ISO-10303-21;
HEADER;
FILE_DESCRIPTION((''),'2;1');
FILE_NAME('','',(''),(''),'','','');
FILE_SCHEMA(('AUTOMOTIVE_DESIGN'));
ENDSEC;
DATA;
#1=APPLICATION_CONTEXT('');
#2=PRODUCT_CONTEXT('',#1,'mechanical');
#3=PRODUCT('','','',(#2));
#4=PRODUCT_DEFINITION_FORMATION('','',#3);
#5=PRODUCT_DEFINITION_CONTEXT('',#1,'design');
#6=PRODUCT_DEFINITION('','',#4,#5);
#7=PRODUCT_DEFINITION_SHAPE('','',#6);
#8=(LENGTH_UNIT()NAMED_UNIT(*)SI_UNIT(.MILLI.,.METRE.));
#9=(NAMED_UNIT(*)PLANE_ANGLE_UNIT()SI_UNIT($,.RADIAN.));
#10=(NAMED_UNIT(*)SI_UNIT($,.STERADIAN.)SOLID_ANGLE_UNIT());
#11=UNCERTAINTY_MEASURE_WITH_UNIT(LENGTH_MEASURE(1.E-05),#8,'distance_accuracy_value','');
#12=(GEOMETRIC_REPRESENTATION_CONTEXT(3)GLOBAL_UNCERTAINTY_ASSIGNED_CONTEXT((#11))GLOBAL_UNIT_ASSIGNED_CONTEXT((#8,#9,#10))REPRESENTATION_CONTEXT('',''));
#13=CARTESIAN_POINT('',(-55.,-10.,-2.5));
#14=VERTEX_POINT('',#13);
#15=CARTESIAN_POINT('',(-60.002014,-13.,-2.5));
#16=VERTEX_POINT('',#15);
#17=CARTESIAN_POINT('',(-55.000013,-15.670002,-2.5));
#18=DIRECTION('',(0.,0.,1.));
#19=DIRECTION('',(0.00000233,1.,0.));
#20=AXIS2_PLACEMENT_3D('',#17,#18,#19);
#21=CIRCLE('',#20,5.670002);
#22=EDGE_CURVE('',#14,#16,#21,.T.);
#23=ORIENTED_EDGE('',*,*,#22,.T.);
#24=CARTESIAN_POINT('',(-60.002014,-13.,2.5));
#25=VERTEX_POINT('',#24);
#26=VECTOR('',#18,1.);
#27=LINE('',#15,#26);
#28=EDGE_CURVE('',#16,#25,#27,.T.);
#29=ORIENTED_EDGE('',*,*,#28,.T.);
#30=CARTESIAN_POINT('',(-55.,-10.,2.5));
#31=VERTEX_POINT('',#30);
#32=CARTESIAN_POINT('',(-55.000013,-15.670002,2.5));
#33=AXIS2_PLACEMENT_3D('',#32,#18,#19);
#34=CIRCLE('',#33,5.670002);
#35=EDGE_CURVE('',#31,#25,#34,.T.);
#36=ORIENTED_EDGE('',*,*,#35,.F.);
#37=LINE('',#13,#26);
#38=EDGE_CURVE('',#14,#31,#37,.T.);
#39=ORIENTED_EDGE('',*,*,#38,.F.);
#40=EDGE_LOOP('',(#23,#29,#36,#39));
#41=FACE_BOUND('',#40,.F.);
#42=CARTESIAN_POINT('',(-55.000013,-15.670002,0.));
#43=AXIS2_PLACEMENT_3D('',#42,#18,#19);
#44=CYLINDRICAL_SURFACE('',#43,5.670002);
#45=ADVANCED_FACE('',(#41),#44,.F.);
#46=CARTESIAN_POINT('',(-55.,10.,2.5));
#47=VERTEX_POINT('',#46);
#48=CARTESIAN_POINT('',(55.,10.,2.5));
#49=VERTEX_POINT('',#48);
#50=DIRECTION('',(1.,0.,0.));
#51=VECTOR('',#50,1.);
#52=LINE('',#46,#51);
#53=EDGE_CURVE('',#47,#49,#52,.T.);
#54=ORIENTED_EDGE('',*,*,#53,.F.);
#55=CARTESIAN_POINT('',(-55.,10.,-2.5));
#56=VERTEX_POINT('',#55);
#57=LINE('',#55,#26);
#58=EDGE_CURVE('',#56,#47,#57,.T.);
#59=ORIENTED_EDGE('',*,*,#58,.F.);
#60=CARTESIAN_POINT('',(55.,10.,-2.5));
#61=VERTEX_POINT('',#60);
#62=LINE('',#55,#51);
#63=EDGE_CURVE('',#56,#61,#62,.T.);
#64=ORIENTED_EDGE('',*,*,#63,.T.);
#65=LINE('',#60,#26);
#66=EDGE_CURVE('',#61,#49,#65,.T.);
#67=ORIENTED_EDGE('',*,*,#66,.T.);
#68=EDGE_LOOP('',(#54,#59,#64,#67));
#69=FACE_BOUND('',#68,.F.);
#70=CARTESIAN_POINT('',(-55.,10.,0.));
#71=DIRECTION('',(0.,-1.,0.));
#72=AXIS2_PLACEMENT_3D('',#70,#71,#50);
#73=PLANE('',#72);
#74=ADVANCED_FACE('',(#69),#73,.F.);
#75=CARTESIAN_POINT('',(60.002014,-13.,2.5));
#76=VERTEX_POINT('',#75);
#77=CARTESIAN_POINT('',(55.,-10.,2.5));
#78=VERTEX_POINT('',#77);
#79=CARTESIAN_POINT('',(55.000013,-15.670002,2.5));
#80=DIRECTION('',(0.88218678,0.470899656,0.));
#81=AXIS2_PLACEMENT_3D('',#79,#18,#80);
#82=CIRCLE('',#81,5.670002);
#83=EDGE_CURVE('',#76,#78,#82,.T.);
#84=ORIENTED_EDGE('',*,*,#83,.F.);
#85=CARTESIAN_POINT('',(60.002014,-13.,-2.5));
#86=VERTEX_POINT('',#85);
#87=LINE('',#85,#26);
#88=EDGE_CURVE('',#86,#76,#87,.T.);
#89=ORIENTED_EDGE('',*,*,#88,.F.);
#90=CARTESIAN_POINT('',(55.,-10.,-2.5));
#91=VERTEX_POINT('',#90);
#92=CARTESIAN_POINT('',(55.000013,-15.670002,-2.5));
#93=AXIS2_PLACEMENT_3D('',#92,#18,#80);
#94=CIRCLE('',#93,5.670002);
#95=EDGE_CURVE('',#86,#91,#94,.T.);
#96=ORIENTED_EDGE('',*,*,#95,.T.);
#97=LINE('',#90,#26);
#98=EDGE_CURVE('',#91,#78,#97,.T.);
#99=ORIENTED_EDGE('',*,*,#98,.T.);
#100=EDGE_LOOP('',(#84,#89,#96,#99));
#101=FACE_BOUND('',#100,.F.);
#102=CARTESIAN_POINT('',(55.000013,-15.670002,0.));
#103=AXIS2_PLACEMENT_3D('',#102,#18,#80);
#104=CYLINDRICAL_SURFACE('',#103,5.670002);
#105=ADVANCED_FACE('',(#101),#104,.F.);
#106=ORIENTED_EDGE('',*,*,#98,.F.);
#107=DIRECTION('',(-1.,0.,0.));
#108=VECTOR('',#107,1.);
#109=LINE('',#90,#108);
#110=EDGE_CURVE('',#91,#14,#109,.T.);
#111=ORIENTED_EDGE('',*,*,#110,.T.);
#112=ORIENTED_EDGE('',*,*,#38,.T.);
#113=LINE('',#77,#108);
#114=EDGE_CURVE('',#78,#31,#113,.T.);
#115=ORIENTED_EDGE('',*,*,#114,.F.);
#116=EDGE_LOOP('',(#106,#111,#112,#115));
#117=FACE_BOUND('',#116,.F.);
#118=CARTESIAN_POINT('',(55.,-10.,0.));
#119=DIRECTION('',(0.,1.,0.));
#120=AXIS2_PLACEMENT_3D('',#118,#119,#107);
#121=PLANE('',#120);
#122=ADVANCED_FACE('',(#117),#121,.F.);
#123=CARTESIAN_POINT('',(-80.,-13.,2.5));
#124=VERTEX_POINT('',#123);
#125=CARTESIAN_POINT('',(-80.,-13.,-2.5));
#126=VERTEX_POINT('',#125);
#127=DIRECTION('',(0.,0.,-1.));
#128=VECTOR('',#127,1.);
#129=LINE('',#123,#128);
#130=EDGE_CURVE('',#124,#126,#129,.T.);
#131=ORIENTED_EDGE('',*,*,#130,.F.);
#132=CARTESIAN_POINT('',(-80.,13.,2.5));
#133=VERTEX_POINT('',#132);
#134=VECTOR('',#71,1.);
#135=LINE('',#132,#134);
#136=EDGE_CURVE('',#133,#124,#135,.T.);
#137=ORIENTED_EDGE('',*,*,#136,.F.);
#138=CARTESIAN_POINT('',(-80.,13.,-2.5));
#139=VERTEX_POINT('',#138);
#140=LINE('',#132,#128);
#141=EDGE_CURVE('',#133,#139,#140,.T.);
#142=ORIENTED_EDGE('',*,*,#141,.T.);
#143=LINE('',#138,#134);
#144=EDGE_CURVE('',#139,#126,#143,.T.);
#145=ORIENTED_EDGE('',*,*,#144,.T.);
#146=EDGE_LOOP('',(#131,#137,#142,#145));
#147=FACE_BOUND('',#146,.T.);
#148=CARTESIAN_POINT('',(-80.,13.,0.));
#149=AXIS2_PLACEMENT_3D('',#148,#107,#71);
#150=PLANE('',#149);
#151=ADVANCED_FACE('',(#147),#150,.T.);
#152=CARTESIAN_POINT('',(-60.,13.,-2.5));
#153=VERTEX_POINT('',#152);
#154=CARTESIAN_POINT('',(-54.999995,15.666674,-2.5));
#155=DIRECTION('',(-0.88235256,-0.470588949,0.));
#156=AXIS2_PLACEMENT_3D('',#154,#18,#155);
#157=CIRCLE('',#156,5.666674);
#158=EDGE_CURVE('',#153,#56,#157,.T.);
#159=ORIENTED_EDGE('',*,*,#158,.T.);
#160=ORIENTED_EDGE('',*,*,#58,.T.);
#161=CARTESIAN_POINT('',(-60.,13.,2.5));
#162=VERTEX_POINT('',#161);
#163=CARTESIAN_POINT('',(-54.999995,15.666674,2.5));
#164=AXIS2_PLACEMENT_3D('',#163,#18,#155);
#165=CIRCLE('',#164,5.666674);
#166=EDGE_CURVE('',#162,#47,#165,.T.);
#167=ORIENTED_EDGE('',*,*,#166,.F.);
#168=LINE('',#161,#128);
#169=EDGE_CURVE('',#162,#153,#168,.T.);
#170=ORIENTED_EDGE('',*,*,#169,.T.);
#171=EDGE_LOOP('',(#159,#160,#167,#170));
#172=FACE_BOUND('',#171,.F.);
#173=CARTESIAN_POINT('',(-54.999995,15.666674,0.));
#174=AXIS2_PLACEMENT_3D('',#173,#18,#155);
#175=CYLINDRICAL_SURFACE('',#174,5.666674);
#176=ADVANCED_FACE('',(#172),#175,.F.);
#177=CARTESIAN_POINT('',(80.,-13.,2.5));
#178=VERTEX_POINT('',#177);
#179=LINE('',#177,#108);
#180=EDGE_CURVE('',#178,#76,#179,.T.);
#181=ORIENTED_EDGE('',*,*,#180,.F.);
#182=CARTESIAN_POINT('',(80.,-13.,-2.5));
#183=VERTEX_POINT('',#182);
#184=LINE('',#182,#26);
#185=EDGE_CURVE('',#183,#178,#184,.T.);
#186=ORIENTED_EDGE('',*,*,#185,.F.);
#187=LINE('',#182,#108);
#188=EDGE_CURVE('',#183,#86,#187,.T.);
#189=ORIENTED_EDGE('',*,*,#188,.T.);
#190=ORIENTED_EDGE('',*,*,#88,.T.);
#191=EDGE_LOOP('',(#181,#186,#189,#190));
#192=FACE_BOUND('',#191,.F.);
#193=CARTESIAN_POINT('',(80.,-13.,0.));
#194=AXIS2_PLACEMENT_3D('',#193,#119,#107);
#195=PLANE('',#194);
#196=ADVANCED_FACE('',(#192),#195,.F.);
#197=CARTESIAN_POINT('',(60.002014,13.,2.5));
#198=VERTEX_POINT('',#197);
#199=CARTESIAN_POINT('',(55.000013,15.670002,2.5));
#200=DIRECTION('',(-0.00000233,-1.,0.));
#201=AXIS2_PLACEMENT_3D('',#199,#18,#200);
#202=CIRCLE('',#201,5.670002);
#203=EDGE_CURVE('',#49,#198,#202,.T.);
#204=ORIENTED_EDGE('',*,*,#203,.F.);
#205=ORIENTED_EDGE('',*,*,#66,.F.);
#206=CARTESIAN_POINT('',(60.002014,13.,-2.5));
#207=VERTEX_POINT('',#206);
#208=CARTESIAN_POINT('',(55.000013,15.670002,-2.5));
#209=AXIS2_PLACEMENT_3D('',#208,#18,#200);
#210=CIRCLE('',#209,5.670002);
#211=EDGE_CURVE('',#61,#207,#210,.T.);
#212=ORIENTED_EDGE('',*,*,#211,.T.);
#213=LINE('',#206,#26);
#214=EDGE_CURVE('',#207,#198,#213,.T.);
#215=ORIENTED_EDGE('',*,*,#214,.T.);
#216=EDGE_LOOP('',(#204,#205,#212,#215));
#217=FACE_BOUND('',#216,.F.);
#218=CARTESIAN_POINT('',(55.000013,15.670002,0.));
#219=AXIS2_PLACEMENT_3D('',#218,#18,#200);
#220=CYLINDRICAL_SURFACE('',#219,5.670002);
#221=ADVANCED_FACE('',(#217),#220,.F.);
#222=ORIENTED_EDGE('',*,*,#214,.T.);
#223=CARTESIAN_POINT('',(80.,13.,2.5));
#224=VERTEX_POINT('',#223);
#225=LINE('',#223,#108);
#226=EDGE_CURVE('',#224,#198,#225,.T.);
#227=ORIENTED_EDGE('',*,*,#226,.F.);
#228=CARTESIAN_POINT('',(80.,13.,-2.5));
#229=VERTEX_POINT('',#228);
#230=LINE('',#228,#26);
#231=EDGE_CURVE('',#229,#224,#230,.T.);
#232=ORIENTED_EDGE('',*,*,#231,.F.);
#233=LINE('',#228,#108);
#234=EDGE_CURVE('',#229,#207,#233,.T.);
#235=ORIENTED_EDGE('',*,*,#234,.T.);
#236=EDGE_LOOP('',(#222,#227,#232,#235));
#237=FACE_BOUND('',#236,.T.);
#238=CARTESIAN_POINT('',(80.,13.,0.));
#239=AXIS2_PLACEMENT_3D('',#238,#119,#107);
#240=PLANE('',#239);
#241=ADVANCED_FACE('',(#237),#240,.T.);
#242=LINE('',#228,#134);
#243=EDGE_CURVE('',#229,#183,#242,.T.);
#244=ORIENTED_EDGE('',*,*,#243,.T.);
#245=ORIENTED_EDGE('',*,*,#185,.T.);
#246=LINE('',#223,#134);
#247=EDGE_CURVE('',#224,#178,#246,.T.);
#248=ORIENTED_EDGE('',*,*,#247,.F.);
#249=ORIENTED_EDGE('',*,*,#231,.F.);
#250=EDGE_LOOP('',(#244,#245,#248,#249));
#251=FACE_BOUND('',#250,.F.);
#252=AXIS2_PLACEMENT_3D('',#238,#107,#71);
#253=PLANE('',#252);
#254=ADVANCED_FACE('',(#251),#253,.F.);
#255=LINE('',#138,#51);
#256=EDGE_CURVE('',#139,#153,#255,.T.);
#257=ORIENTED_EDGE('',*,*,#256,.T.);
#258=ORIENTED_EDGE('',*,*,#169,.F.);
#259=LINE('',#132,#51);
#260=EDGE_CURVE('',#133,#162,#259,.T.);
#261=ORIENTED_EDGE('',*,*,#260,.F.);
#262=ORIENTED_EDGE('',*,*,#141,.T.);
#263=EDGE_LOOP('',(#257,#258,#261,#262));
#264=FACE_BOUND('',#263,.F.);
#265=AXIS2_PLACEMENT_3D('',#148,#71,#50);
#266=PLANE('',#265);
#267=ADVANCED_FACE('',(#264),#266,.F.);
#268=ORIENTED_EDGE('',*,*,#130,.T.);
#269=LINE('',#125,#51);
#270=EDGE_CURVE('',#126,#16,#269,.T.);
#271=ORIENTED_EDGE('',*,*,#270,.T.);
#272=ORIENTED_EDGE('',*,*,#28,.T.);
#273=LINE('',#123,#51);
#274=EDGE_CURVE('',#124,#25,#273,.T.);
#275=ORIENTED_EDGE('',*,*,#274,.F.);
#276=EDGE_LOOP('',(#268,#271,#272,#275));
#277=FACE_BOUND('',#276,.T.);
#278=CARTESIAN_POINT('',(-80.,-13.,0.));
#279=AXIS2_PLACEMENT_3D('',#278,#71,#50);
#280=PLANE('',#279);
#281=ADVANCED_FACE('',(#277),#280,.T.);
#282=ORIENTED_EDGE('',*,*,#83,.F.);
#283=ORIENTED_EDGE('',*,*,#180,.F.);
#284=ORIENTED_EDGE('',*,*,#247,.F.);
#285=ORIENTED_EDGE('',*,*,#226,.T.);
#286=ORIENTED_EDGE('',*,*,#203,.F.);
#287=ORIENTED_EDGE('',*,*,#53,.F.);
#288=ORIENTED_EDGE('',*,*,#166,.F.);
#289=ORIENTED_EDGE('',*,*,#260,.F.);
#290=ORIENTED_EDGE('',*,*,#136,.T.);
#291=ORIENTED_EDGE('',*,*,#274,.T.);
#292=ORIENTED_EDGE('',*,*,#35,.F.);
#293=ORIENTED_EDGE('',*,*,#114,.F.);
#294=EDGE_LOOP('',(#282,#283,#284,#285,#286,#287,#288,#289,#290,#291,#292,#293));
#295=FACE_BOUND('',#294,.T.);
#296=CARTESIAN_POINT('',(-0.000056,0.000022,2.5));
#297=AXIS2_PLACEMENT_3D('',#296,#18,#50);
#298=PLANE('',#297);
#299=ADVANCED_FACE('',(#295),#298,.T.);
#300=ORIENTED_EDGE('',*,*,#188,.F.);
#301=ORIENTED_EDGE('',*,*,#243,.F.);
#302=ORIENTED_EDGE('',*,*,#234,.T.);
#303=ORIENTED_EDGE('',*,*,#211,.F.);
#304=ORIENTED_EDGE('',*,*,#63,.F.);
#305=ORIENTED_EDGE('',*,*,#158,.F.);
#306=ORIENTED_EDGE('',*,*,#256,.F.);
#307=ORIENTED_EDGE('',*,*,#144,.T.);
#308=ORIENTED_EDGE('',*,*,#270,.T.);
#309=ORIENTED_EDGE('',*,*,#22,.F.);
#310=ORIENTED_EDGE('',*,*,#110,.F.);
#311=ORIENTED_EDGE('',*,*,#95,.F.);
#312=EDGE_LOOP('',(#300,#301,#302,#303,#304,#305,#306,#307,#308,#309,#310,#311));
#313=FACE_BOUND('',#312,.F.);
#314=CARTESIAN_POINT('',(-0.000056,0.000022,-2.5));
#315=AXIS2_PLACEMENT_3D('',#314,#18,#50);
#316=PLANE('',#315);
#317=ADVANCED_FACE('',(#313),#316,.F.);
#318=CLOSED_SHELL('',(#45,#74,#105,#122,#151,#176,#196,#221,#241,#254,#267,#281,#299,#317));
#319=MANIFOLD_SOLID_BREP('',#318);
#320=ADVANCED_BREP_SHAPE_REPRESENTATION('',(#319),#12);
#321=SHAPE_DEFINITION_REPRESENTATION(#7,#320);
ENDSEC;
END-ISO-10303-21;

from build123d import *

# Parameters (mm, degrees)
PAD_DEPTH = 2.5


with BuildPart() as part:
    # Sketch → Pad (new body, symmetric)
    with BuildSketch(Plane.XY):
        with BuildLine():
            Line((-80, -13), (-60.002014, -13))
            ThreePointArc((-55, -10), (-57.916341, -10.807497), (-60.002014, -13))
            Line((55, -10), (-55, -10))
            ThreePointArc((60.002014, -13), (57.916341, -10.807497), (55, -10))
            Line((80, -13), (60.002014, -13))
            Line((80, 13), (80, -13))
            Line((80, 13), (60.002014, 13))
            ThreePointArc((55, 10), (57.916341, 10.807497), (60.002014, 13))
            Line((-55, 10), (55, 10))
            ThreePointArc((-60, 13), (-57.915475, 10.807541), (-55, 10))
            Line((-80, 13), (-60, 13))
            Line((-80, 13), (-80, -13))
        make_face()
    extrude(amount=PAD_DEPTH, both=True)


solid = part.part
